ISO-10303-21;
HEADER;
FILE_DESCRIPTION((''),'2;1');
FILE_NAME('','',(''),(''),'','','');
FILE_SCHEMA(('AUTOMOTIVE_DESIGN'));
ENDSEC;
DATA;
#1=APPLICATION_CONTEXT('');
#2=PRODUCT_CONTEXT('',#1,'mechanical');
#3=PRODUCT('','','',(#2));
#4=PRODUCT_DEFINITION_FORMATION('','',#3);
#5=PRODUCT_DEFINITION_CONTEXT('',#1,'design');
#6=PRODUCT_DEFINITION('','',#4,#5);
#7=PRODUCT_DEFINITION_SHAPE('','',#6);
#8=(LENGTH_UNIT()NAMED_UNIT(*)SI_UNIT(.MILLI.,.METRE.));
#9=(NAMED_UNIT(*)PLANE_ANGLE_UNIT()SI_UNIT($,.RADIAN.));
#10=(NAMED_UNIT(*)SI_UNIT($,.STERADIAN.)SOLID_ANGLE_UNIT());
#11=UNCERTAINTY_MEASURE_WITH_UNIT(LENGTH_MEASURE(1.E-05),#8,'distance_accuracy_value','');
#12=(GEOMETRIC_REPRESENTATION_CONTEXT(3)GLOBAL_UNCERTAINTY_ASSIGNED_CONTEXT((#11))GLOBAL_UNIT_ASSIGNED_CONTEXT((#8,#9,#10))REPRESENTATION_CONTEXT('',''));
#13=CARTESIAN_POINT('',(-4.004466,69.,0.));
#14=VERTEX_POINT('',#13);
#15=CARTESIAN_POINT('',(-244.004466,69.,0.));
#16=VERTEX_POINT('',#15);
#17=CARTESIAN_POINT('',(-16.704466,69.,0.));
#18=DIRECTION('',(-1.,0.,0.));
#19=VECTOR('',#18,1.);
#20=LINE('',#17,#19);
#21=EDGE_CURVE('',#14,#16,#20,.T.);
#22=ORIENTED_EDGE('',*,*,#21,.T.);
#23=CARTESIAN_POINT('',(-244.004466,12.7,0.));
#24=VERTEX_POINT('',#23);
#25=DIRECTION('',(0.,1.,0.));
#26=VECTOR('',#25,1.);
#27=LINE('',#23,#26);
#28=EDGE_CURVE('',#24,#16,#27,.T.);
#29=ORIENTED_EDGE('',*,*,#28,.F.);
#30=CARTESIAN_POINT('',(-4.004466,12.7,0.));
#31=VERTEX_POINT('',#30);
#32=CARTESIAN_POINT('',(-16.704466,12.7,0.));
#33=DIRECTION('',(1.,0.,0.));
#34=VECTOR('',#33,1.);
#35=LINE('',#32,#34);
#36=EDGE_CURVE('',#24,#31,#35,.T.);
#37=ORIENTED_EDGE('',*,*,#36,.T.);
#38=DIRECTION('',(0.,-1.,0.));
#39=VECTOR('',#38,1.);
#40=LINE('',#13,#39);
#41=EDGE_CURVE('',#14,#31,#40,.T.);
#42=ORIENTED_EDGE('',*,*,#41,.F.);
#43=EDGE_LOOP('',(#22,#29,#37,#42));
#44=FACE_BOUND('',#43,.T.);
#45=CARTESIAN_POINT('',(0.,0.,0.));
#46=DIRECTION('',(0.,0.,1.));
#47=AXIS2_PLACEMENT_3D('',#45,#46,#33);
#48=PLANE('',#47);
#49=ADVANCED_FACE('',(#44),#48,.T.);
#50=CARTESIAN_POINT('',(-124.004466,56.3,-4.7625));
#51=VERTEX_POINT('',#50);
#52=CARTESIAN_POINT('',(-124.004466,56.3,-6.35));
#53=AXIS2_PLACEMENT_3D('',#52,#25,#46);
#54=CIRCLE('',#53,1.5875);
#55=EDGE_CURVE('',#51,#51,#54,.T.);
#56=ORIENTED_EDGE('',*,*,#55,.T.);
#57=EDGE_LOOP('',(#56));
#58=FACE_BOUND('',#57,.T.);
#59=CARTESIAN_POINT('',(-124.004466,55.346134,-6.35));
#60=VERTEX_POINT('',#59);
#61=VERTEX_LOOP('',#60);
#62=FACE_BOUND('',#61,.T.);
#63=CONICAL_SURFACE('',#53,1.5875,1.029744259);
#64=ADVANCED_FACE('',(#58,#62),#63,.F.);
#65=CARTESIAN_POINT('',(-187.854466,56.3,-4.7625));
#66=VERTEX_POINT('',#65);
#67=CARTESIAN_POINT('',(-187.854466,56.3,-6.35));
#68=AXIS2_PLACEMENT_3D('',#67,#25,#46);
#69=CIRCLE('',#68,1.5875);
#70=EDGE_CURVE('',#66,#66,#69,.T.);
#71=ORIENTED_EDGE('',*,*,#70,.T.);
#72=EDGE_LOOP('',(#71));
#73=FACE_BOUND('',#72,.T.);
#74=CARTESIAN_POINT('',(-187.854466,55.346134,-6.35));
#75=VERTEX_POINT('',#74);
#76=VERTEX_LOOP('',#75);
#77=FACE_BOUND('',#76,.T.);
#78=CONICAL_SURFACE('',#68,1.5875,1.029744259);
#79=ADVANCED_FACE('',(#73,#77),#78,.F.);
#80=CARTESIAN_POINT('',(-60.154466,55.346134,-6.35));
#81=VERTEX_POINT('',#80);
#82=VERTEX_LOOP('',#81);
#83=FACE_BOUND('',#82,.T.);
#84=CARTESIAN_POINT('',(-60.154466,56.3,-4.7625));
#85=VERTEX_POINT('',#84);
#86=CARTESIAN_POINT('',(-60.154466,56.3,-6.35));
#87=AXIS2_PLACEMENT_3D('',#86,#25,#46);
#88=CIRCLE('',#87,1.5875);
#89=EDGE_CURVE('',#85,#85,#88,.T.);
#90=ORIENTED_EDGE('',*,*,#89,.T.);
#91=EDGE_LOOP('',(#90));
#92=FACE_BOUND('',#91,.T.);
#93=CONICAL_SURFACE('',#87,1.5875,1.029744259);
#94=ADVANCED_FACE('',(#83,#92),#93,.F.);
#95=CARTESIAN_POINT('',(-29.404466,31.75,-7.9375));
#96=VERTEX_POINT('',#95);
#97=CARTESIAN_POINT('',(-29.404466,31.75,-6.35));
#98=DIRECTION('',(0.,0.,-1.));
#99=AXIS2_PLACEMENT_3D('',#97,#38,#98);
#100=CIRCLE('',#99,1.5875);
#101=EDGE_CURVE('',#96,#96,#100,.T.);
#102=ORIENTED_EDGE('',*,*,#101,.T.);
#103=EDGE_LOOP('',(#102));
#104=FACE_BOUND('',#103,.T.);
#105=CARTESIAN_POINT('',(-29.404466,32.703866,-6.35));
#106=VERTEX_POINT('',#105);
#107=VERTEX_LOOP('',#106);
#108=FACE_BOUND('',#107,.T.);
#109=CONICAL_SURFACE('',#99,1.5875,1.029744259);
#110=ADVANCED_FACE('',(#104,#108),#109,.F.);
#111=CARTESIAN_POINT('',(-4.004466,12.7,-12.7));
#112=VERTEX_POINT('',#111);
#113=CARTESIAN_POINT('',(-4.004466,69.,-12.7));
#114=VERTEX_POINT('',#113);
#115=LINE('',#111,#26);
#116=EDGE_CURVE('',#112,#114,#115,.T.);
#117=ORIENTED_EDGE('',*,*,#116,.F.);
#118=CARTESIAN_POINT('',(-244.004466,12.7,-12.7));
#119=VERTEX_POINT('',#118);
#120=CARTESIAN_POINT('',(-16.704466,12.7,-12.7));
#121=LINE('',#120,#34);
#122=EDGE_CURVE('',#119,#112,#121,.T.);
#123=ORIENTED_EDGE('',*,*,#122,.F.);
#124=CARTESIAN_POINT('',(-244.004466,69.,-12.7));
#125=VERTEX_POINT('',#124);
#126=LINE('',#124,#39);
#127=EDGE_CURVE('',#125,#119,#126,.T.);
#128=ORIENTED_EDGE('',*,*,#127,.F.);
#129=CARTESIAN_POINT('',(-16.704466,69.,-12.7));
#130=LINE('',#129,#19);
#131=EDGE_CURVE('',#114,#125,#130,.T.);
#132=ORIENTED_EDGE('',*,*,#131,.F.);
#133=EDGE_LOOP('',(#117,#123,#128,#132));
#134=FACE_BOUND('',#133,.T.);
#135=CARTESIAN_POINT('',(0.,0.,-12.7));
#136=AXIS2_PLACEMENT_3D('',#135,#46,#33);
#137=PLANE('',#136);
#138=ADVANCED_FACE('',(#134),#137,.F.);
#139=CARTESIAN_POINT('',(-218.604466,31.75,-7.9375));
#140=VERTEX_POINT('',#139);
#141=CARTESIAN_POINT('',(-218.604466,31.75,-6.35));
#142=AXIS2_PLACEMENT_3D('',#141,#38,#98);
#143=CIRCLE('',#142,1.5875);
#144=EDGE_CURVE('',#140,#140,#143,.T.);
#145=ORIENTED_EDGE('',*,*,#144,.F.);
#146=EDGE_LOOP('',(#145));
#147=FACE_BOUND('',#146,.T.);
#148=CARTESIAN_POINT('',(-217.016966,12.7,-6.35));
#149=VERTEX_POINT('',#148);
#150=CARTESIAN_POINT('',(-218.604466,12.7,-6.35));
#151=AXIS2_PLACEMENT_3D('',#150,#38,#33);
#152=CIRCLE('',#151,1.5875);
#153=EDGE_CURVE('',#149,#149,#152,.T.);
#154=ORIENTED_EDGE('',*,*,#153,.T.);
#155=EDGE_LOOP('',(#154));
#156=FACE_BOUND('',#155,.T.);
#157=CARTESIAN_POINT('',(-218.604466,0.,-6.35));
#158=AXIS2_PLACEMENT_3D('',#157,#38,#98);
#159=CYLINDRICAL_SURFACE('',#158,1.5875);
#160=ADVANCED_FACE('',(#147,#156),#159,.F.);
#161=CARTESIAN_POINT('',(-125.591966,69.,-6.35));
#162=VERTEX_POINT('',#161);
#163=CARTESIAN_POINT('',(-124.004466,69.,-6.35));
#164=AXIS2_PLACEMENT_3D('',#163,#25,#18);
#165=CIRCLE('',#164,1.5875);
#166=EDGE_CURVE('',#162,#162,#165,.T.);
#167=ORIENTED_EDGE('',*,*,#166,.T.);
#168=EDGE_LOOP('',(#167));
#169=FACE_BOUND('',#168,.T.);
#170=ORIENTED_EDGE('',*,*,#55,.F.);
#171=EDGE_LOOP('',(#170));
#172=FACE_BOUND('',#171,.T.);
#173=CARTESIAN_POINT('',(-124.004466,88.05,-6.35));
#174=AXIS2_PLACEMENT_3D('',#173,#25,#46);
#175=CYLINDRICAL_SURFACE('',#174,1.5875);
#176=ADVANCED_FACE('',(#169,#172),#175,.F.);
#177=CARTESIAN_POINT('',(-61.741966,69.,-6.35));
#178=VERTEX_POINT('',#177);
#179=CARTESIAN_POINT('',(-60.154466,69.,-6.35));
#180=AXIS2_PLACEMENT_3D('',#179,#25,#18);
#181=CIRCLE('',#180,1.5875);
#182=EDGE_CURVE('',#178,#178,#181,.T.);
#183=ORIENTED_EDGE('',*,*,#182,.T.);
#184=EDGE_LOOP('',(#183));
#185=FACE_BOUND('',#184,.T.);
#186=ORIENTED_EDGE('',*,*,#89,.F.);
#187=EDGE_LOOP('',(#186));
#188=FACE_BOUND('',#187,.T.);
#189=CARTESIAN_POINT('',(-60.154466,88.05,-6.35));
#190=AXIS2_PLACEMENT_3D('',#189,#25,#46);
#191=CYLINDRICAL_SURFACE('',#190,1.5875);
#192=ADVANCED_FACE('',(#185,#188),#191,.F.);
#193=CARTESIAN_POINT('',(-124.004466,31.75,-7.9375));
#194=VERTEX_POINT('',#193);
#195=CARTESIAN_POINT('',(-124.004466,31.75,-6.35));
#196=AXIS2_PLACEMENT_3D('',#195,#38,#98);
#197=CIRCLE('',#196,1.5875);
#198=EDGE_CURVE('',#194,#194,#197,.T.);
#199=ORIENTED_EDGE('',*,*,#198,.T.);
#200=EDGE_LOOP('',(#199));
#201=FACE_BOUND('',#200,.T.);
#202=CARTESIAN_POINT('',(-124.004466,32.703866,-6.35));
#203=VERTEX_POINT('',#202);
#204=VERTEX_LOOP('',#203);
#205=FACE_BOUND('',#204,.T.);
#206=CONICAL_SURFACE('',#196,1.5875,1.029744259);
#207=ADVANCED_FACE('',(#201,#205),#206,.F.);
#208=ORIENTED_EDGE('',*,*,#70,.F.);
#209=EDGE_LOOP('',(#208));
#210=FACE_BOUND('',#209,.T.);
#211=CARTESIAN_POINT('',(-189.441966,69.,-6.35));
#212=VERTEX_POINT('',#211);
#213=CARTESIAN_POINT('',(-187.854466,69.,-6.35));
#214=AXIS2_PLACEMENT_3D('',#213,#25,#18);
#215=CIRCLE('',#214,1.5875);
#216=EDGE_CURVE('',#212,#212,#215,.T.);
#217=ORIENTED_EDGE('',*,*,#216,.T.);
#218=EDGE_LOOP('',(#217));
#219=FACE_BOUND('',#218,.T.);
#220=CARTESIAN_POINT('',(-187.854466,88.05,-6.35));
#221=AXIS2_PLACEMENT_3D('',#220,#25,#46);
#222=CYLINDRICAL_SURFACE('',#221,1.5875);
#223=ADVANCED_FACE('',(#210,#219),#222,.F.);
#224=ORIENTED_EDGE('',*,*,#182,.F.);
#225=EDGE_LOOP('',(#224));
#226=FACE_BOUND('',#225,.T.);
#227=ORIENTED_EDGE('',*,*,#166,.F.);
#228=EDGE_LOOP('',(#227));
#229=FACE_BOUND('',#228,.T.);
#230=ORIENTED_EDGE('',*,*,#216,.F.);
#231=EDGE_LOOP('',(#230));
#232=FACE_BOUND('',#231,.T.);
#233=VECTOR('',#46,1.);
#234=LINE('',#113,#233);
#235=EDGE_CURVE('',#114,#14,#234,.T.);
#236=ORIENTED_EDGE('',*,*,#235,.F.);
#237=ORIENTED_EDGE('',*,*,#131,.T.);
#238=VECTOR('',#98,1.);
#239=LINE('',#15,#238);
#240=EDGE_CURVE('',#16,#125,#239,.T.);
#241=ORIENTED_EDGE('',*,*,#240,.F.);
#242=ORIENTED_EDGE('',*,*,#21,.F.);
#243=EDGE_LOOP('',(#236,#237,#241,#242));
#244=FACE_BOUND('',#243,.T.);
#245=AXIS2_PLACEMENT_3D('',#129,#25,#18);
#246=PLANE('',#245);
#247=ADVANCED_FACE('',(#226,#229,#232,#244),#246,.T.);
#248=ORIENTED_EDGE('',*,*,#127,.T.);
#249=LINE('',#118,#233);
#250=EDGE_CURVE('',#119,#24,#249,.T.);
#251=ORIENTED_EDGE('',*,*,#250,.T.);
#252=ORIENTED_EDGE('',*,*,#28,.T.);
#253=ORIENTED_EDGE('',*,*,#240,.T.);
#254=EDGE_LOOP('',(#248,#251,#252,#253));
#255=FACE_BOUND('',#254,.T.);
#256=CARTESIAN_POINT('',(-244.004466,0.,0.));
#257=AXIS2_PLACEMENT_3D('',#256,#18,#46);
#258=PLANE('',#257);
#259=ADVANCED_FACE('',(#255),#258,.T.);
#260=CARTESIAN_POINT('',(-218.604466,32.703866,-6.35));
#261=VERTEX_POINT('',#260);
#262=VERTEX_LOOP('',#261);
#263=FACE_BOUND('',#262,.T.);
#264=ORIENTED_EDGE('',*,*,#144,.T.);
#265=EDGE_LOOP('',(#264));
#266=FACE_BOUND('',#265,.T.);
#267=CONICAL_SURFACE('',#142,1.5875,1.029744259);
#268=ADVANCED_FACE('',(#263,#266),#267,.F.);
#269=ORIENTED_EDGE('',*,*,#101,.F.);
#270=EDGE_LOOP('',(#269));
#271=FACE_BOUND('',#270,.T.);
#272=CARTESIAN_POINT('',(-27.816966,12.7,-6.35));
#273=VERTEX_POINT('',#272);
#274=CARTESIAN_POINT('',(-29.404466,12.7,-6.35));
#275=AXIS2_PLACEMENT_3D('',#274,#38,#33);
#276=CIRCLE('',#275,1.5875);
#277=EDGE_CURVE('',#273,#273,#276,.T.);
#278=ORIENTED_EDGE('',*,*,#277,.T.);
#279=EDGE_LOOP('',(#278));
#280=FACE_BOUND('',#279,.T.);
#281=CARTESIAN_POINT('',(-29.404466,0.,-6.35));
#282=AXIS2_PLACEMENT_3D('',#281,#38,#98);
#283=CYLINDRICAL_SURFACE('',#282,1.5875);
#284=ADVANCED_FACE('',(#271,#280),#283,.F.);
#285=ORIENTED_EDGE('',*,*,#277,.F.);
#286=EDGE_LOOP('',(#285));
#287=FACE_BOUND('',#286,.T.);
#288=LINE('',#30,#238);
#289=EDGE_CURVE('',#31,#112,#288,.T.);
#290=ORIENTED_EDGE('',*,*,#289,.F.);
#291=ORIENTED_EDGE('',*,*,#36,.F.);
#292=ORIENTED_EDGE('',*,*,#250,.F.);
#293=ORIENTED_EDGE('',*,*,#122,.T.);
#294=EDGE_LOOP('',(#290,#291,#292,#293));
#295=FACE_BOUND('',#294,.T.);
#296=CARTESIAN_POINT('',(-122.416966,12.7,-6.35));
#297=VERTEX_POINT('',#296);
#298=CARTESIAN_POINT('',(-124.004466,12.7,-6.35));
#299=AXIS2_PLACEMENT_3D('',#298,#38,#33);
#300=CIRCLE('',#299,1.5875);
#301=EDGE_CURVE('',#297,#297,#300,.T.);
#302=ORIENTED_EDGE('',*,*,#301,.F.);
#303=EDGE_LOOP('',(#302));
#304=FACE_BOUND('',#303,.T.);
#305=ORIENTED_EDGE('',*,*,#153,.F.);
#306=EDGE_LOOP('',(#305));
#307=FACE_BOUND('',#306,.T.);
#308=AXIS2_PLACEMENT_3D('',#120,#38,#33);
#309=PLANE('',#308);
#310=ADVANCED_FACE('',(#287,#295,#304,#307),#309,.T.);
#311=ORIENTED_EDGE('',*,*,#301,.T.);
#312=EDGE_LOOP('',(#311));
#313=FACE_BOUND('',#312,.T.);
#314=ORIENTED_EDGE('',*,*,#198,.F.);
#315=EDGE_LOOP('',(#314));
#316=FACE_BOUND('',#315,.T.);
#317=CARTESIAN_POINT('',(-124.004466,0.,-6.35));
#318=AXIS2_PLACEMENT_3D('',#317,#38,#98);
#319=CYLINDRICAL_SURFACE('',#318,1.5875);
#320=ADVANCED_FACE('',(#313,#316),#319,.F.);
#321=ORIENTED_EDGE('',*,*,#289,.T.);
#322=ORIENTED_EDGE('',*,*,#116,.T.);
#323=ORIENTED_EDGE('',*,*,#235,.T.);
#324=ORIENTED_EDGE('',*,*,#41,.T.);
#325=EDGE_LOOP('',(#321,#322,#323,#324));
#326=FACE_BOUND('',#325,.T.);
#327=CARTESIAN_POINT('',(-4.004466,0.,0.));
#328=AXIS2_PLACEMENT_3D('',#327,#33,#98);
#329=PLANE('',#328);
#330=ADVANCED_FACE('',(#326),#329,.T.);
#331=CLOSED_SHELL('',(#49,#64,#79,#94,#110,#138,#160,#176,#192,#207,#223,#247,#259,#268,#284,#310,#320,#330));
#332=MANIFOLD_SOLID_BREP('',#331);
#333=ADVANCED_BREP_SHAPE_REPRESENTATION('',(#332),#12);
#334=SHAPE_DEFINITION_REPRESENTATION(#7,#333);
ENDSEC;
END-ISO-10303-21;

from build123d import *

# Parameters (mm, degrees)
SKETCH1_W           = 214.599999988
SKETCH1_H           = 56.3
BOSS_EXTRUDE1_DEPTH = 12.7
SKETCH3_W           = 12.7
SKETCH3_H           = 56.3
BOSS_EXTRUDE2_DEPTH = 12.7
SKETCH4_W           = 12.7
SKETCH4_H           = 56.3
BOSS_EXTRUDE3_DEPTH = 12.7
HOLE1_D             = 3.175
HOLE1_DEPTH         = 31.75
HOLE1_CSINK_D       = 10.16
HOLE1_CSINK_ANGLE   = 82
HOLE1_TIP           = 0.953866233
HOLE2_D             = 3.175
HOLE2_DEPTH         = 31.75
HOLE2_CSINK_D       = 10.16
HOLE2_CSINK_ANGLE   = 82
HOLE2_TIP           = 0.953866233


with BuildPart() as part:
    # Sketch1 → Boss-Extrude1 (new body)
    with BuildSketch(Plane.XY):
        with Locations((-124.004465969, 40.85)):
            Rectangle(SKETCH1_W, SKETCH1_H)
    extrude(amount=-BOSS_EXTRUDE1_DEPTH)

    # Sketch3 → Boss-Extrude2 (add)
    with BuildSketch(Plane.ZY.offset(231.304465963)):
        with Locations((-6.35, 40.85)):
            Rectangle(SKETCH3_W, SKETCH3_H)
    extrude(amount=BOSS_EXTRUDE2_DEPTH)

    # Sketch4 → Boss-Extrude3 (add)
    with BuildSketch(Plane(origin=(-16.704465975, 0, 0), x_dir=(0, 0, -1), z_dir=(1, 0, 0))):
        with Locations((6.35, 40.85)):
            Rectangle(SKETCH4_W, SKETCH4_H)
    extrude(amount=BOSS_EXTRUDE3_DEPTH)

    # Hole1
    with Locations(Plane(origin=(-124.004465969, 0, 155.024290059), x_dir=(-1, 0, 0), z_dir=(0, -1, 0))):
        with Locations((113.649999994, 128.807623392), (113.649999994, 23.940956725), (-94.599999994, 161.374290059), (94.599999994, 161.374290059), (0, 161.374290059), (0, 193.124290059), (0, 440.553783621), (0, 301.970350905), (40.979166666, 301.970350905), (166.795833328, 301.970350905), (207.774999994, 440.553783621), (207.774999994, 333.02141023), (207.774999994, 225.48903684), (207.774999994, 137.424290059), (207.774999994, 10.424290059), (-207.774999994, 10.424290059), (-207.774999994, 137.424290059), (-207.774999994, 225.48903684), (-207.774999994, 333.02141023), (-207.774999994, 440.553783621), (-166.795833328, 301.970350905), (-40.979166666, 301.970350905), (-113.649999994, 23.940956725), (-113.649999994, 128.807623392)):
            CounterSinkHole(HOLE1_D / 2, HOLE1_CSINK_D / 2, depth=HOLE1_DEPTH, counter_sink_angle=HOLE1_CSINK_ANGLE)
            with Locations((0, 0, -(HOLE1_DEPTH + HOLE1_TIP / 2))):  # 118° drill point
                Cone(0, HOLE1_D / 2, HOLE1_TIP, mode=Mode.SUBTRACT)

    # Hole2
    with Locations(Plane(origin=(-124.004465969, 88.05, 155.024290059), x_dir=(1, 0, 0), z_dir=(0, 1, 0))):
        with Locations((-162.299999994, -8.625709941), (-113.649999994, 50.157623392), (-113.649999994, 102.590956725), (162.299999994, -8.625709941), (113.649999994, 50.157623392), (113.649999994, 102.590956725), (63.85, 161.374290059), (0, 161.374290059), (-63.85, 161.374290059)):
            CounterSinkHole(HOLE2_D / 2, HOLE2_CSINK_D / 2, depth=HOLE2_DEPTH, counter_sink_angle=HOLE2_CSINK_ANGLE)
            with Locations((0, 0, -(HOLE2_DEPTH + HOLE2_TIP / 2))):  # 118° drill point
                Cone(0, HOLE2_D / 2, HOLE2_TIP, mode=Mode.SUBTRACT)


solid = part.part
